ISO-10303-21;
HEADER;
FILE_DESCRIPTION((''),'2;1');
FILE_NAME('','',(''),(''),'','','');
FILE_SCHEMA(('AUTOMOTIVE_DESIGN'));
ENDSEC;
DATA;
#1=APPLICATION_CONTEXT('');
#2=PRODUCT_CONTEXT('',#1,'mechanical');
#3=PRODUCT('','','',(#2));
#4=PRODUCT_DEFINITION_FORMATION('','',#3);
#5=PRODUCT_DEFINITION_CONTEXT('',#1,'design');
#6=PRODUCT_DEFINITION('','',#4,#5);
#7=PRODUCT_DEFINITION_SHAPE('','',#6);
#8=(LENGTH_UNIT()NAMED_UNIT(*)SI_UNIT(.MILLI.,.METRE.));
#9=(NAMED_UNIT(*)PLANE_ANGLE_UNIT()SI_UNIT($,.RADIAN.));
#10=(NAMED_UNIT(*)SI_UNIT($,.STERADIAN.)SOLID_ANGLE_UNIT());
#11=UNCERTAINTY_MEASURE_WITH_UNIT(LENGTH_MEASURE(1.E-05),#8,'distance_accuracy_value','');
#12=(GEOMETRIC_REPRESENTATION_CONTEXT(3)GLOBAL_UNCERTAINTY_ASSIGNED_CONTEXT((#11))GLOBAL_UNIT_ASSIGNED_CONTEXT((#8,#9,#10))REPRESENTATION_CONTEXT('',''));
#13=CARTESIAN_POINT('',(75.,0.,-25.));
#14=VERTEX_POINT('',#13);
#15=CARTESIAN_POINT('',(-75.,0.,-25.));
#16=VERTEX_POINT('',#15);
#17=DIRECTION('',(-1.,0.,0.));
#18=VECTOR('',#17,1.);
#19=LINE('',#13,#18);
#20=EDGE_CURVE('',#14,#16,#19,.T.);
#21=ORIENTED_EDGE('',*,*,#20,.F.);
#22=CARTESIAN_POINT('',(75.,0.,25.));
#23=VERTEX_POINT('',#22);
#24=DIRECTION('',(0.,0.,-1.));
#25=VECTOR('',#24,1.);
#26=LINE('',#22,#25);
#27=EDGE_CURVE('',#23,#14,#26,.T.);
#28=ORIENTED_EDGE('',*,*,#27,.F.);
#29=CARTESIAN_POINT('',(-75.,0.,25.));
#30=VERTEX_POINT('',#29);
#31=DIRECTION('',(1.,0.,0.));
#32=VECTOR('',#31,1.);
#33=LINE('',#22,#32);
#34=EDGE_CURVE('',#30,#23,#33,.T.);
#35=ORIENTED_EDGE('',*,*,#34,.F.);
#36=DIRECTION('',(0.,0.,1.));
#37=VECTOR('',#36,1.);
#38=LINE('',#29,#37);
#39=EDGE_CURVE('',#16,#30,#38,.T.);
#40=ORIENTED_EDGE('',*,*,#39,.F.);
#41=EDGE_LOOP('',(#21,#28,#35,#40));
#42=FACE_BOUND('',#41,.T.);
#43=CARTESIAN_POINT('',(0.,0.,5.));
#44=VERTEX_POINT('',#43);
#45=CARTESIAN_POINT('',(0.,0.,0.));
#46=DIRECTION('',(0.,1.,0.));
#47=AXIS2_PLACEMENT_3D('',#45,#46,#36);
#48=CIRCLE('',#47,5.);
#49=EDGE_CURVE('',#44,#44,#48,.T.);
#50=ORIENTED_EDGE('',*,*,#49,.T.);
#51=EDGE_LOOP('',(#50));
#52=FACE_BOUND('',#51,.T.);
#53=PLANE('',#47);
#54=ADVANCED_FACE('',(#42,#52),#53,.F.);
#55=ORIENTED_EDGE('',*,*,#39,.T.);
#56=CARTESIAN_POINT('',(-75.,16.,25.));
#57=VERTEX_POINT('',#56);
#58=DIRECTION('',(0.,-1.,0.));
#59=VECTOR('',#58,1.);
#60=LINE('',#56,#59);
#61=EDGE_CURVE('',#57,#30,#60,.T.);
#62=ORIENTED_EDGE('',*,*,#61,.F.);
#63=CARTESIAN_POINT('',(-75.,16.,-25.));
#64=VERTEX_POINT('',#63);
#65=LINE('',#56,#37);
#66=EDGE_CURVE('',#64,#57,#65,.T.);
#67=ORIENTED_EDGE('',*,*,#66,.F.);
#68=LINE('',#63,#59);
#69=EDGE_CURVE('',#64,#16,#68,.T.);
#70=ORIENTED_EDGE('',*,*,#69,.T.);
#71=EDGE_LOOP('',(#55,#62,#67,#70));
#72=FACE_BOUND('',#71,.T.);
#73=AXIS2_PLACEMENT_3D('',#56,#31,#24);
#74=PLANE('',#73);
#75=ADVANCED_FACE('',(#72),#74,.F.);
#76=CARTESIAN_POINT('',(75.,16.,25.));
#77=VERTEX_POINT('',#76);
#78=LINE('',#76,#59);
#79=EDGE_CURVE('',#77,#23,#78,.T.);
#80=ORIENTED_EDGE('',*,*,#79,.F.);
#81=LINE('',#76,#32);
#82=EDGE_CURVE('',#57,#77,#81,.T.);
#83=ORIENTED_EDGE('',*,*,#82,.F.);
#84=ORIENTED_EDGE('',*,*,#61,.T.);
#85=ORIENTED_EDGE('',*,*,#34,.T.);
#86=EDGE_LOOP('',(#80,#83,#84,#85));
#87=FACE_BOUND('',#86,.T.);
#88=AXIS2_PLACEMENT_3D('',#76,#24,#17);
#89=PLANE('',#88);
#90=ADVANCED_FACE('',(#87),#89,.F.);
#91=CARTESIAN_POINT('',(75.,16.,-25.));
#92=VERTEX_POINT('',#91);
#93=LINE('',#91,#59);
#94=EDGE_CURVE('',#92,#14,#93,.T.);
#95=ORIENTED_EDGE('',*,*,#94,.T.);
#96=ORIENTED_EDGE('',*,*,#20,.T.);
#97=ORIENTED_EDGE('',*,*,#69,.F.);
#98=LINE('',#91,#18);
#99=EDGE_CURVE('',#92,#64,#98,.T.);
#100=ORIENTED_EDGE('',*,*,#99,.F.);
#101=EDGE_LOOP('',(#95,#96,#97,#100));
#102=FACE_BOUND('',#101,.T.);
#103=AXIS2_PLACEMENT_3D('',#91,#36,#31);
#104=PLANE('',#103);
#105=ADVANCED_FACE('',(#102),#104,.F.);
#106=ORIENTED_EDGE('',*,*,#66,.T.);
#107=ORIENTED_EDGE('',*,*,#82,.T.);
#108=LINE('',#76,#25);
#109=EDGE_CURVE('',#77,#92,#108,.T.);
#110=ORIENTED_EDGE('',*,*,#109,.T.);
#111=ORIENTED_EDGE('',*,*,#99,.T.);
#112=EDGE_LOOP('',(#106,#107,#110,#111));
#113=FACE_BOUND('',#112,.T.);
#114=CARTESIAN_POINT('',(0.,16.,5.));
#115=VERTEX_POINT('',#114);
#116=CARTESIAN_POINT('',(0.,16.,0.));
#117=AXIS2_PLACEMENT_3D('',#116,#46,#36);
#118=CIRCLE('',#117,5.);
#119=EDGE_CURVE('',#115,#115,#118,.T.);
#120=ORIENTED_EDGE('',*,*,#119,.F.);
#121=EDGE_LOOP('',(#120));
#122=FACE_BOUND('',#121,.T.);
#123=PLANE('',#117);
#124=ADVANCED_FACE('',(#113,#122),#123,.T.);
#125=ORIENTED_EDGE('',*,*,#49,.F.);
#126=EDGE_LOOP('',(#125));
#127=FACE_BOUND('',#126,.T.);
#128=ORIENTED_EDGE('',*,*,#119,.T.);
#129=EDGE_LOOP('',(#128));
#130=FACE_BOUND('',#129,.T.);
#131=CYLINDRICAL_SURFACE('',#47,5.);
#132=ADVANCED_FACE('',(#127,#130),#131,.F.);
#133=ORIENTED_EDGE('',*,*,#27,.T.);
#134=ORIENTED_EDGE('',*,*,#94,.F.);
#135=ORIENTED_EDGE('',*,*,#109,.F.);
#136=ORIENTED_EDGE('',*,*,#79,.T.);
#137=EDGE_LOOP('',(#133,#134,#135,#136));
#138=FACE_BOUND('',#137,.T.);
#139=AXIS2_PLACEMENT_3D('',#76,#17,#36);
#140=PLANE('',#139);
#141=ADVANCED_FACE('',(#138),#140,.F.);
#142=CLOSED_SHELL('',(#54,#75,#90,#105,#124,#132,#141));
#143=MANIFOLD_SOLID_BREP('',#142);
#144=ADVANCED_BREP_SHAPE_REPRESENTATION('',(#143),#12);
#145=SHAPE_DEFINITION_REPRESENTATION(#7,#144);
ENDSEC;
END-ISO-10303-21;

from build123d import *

# Parameters (mm, degrees)
CROQUIS1_W              = 150
CROQUIS1_H              = 50
SALIENTE_EXTRUIR1_DEPTH = 16
CROQUIS2_R              = 5
CORTAR_EXTRUIR1_DEPTH   = 81.65977932


with BuildPart() as part:
    # Croquis1 → Saliente-Extruir1 (new body)
    with BuildSketch(Plane(origin=(0, 0, 0), x_dir=(1, 0, 0), z_dir=(0, 1, 0))):
        Rectangle(CROQUIS1_W, CROQUIS1_H)
    extrude(amount=SALIENTE_EXTRUIR1_DEPTH)

    # Croquis2 → Cortar-Extruir1 (cut, through all)
    with BuildSketch(Plane(origin=(0, 16, 0), x_dir=(1, 0, 0), z_dir=(0, 1, 0))):
        with Locations(Location((0, 0, 0), (0, 0, 270))):
            Circle(CROQUIS2_R)
    extrude(amount=-CORTAR_EXTRUIR1_DEPTH, mode=Mode.SUBTRACT)


solid = part.part
